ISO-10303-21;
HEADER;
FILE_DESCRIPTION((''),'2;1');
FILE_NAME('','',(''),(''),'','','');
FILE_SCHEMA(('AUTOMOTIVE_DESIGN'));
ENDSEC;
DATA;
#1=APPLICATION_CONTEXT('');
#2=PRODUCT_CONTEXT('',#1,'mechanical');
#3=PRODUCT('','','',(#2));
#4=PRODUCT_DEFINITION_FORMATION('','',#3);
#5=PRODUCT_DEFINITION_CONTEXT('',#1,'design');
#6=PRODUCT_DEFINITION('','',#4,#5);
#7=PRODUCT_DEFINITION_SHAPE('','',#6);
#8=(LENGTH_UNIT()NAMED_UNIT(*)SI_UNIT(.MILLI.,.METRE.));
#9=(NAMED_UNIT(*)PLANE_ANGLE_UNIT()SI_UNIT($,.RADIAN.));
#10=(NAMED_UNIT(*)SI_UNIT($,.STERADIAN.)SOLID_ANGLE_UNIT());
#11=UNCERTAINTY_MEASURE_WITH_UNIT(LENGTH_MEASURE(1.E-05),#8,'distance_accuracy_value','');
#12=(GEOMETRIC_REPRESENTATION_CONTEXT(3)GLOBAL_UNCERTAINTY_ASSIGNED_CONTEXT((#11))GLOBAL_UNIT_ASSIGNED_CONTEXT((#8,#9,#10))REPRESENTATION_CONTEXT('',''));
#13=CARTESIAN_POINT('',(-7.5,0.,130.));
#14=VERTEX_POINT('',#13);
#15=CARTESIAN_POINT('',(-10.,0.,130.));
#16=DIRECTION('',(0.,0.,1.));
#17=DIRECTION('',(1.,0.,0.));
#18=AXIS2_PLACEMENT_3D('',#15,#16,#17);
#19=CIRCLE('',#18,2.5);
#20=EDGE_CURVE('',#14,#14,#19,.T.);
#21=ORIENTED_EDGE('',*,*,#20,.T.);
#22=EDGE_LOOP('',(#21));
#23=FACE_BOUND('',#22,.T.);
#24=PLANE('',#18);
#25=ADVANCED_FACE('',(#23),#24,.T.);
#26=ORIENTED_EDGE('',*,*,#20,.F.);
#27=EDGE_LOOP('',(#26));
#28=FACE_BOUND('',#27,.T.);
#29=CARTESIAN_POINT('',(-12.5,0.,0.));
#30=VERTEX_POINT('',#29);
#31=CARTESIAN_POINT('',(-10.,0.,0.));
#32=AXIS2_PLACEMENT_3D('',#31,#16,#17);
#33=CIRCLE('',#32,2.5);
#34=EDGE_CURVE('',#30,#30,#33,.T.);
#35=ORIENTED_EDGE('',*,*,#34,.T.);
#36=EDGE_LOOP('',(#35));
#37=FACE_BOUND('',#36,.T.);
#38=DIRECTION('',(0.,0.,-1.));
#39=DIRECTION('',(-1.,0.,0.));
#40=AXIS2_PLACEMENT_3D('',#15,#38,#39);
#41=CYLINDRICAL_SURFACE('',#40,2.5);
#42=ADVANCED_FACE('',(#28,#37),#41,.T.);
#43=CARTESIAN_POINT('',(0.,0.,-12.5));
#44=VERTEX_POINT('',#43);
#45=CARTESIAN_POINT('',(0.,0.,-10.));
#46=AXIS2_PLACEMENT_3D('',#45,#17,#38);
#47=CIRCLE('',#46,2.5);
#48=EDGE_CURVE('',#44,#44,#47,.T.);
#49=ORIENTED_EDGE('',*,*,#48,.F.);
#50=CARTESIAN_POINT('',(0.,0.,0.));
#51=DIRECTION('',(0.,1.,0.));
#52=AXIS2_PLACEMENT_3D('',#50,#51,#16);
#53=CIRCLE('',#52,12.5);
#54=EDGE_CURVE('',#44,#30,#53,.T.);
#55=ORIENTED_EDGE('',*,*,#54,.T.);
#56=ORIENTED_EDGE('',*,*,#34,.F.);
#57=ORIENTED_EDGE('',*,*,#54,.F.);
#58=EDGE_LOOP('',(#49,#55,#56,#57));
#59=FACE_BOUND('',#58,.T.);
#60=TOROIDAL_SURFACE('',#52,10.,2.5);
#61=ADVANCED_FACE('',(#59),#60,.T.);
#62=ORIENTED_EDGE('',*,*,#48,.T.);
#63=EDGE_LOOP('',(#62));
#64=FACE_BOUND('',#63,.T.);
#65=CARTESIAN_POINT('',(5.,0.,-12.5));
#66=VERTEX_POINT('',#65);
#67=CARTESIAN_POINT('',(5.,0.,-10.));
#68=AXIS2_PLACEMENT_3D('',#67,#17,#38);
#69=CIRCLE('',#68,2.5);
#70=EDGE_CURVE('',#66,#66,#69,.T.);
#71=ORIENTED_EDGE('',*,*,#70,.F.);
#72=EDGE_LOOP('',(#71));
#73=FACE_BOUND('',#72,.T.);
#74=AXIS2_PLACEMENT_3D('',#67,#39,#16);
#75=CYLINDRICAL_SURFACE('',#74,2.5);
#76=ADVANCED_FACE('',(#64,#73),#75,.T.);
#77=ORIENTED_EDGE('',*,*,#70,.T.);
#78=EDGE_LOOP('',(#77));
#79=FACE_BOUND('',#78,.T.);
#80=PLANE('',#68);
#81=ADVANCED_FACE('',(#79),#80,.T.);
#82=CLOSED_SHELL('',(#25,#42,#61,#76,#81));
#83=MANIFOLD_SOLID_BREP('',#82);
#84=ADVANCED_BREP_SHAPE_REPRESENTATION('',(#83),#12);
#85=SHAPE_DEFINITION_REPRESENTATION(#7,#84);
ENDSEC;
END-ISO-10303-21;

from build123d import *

# Parameters (mm, degrees)
ESQUISSE1_R        = 2.5
R_VOLUTION1_ANGLE  = 90
ESQUISSE2_R        = 2.5
BOSS_EXTRU_1_DEPTH = 130
ESQUISSE3_R        = 2.5
BOSS_EXTRU_2_DEPTH = 5


with BuildPart() as part:
    # Esquisse1 → Révolution1 (revolve)
    with BuildSketch(Plane.XY):
        with Locations((-10, 0)):
            Circle(ESQUISSE1_R)
    revolve(axis=Axis((0, 7.956307344, 0), (0, -1, 0)), revolution_arc=R_VOLUTION1_ANGLE)

    # Esquisse2 → Boss.-Extru.1 (add)
    with BuildSketch(Plane.XY):
        with Locations(Location((-10, 0, 0), (0, 0, 180))):
            Circle(ESQUISSE2_R)
    extrude(amount=BOSS_EXTRU_1_DEPTH)

    # Esquisse3 → Boss.-Extru.2 (add)
    with BuildSketch(Plane(origin=(0, 0, 0), x_dir=(0, 0, -1), z_dir=(1, 0, 0))):
        with Locations((10, 0)):
            Circle(ESQUISSE3_R)
    extrude(amount=BOSS_EXTRU_2_DEPTH)


solid = part.part
